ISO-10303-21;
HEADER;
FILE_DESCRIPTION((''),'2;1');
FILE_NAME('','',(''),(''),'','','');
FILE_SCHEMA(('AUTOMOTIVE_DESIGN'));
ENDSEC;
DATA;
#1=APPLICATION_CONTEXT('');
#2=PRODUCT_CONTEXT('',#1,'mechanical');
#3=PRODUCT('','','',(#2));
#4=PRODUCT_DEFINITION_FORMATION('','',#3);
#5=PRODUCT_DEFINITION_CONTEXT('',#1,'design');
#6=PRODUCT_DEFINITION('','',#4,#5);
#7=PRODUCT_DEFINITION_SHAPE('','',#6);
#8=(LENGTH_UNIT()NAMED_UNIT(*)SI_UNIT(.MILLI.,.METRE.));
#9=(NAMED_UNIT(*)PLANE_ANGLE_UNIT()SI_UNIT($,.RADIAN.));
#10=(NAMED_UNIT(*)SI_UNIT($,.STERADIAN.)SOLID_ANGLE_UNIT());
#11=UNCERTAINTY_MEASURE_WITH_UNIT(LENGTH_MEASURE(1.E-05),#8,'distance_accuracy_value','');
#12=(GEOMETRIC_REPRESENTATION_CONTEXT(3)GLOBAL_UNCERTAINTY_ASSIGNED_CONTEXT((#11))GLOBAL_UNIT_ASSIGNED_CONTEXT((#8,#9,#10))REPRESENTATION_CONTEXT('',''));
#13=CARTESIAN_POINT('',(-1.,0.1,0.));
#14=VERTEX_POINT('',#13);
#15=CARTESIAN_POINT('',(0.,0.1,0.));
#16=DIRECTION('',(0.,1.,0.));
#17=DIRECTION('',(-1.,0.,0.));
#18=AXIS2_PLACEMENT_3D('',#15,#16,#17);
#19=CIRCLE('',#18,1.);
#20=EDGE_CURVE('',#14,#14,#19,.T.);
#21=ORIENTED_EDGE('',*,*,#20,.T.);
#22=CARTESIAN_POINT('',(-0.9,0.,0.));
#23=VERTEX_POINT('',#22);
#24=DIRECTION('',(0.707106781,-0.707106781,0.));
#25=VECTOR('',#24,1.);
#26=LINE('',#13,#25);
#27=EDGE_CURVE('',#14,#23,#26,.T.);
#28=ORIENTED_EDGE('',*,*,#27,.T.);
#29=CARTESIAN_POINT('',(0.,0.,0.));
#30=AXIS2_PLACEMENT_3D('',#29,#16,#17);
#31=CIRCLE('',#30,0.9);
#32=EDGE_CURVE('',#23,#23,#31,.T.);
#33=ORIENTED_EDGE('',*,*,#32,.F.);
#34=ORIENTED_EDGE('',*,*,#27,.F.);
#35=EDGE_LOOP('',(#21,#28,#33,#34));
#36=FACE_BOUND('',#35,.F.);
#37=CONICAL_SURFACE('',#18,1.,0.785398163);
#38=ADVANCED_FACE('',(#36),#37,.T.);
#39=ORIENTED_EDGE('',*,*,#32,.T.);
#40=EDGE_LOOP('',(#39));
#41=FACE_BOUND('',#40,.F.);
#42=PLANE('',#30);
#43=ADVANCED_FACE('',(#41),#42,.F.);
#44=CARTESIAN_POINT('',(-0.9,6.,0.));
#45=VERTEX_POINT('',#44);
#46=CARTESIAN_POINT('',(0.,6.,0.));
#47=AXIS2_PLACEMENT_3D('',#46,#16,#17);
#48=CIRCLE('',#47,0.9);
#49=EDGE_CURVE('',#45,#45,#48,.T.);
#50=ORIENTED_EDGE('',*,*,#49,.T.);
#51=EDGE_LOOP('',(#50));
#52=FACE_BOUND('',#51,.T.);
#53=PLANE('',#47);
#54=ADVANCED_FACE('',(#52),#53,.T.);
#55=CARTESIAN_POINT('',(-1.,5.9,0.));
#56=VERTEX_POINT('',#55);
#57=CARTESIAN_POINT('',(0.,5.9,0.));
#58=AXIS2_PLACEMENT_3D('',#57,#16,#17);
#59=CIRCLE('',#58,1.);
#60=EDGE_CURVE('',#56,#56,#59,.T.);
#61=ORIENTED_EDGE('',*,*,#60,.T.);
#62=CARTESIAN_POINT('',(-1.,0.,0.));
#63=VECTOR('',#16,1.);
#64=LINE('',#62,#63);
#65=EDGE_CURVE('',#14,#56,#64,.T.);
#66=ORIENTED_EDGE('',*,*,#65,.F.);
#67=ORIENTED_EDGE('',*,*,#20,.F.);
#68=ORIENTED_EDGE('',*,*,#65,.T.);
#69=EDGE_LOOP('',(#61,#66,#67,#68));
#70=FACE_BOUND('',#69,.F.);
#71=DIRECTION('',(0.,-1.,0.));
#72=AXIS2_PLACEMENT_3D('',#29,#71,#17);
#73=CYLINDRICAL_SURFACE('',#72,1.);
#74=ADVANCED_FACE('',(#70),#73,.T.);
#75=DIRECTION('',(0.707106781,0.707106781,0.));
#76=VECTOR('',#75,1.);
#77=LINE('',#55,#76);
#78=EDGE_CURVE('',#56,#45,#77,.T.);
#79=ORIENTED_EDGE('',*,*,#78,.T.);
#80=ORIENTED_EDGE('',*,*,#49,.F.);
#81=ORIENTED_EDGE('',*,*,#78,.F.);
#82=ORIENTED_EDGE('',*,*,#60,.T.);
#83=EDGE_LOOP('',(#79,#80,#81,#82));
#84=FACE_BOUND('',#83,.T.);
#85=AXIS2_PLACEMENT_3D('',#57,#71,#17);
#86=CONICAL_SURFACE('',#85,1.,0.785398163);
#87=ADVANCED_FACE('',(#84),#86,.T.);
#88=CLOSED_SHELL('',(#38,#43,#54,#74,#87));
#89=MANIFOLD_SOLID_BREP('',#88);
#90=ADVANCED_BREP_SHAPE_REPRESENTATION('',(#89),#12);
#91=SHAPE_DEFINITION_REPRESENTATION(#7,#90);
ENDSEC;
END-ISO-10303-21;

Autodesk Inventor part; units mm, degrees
ref_plane "YZ Plane" through (0, 0, 0) normal (1, 0, 0) x (0, 1, 0)
ref_plane "XZ Plane" through (0, 0, 0) normal (0, 1, 0) x (-1, 0, 0)
ref_plane "XY Plane" through (0, 0, 0) normal (0, 0, 1) x (1, 0, 0)
sketch "Skizze1" plane through (0, 0, 0) normal (0, 1, 0) x (-1, 0, 0)
  circle A0 centre (0, 0) radius 1
  dimension "d0" = 2
extrude "Extrusion1" add sketch "Skizze1" along normal blind 6
chamfer "Fasen1" distance 0.1 angle 45 2 edges at (1, 6, 0) (1, 0, 0)
properties part number "bolzen_2"
